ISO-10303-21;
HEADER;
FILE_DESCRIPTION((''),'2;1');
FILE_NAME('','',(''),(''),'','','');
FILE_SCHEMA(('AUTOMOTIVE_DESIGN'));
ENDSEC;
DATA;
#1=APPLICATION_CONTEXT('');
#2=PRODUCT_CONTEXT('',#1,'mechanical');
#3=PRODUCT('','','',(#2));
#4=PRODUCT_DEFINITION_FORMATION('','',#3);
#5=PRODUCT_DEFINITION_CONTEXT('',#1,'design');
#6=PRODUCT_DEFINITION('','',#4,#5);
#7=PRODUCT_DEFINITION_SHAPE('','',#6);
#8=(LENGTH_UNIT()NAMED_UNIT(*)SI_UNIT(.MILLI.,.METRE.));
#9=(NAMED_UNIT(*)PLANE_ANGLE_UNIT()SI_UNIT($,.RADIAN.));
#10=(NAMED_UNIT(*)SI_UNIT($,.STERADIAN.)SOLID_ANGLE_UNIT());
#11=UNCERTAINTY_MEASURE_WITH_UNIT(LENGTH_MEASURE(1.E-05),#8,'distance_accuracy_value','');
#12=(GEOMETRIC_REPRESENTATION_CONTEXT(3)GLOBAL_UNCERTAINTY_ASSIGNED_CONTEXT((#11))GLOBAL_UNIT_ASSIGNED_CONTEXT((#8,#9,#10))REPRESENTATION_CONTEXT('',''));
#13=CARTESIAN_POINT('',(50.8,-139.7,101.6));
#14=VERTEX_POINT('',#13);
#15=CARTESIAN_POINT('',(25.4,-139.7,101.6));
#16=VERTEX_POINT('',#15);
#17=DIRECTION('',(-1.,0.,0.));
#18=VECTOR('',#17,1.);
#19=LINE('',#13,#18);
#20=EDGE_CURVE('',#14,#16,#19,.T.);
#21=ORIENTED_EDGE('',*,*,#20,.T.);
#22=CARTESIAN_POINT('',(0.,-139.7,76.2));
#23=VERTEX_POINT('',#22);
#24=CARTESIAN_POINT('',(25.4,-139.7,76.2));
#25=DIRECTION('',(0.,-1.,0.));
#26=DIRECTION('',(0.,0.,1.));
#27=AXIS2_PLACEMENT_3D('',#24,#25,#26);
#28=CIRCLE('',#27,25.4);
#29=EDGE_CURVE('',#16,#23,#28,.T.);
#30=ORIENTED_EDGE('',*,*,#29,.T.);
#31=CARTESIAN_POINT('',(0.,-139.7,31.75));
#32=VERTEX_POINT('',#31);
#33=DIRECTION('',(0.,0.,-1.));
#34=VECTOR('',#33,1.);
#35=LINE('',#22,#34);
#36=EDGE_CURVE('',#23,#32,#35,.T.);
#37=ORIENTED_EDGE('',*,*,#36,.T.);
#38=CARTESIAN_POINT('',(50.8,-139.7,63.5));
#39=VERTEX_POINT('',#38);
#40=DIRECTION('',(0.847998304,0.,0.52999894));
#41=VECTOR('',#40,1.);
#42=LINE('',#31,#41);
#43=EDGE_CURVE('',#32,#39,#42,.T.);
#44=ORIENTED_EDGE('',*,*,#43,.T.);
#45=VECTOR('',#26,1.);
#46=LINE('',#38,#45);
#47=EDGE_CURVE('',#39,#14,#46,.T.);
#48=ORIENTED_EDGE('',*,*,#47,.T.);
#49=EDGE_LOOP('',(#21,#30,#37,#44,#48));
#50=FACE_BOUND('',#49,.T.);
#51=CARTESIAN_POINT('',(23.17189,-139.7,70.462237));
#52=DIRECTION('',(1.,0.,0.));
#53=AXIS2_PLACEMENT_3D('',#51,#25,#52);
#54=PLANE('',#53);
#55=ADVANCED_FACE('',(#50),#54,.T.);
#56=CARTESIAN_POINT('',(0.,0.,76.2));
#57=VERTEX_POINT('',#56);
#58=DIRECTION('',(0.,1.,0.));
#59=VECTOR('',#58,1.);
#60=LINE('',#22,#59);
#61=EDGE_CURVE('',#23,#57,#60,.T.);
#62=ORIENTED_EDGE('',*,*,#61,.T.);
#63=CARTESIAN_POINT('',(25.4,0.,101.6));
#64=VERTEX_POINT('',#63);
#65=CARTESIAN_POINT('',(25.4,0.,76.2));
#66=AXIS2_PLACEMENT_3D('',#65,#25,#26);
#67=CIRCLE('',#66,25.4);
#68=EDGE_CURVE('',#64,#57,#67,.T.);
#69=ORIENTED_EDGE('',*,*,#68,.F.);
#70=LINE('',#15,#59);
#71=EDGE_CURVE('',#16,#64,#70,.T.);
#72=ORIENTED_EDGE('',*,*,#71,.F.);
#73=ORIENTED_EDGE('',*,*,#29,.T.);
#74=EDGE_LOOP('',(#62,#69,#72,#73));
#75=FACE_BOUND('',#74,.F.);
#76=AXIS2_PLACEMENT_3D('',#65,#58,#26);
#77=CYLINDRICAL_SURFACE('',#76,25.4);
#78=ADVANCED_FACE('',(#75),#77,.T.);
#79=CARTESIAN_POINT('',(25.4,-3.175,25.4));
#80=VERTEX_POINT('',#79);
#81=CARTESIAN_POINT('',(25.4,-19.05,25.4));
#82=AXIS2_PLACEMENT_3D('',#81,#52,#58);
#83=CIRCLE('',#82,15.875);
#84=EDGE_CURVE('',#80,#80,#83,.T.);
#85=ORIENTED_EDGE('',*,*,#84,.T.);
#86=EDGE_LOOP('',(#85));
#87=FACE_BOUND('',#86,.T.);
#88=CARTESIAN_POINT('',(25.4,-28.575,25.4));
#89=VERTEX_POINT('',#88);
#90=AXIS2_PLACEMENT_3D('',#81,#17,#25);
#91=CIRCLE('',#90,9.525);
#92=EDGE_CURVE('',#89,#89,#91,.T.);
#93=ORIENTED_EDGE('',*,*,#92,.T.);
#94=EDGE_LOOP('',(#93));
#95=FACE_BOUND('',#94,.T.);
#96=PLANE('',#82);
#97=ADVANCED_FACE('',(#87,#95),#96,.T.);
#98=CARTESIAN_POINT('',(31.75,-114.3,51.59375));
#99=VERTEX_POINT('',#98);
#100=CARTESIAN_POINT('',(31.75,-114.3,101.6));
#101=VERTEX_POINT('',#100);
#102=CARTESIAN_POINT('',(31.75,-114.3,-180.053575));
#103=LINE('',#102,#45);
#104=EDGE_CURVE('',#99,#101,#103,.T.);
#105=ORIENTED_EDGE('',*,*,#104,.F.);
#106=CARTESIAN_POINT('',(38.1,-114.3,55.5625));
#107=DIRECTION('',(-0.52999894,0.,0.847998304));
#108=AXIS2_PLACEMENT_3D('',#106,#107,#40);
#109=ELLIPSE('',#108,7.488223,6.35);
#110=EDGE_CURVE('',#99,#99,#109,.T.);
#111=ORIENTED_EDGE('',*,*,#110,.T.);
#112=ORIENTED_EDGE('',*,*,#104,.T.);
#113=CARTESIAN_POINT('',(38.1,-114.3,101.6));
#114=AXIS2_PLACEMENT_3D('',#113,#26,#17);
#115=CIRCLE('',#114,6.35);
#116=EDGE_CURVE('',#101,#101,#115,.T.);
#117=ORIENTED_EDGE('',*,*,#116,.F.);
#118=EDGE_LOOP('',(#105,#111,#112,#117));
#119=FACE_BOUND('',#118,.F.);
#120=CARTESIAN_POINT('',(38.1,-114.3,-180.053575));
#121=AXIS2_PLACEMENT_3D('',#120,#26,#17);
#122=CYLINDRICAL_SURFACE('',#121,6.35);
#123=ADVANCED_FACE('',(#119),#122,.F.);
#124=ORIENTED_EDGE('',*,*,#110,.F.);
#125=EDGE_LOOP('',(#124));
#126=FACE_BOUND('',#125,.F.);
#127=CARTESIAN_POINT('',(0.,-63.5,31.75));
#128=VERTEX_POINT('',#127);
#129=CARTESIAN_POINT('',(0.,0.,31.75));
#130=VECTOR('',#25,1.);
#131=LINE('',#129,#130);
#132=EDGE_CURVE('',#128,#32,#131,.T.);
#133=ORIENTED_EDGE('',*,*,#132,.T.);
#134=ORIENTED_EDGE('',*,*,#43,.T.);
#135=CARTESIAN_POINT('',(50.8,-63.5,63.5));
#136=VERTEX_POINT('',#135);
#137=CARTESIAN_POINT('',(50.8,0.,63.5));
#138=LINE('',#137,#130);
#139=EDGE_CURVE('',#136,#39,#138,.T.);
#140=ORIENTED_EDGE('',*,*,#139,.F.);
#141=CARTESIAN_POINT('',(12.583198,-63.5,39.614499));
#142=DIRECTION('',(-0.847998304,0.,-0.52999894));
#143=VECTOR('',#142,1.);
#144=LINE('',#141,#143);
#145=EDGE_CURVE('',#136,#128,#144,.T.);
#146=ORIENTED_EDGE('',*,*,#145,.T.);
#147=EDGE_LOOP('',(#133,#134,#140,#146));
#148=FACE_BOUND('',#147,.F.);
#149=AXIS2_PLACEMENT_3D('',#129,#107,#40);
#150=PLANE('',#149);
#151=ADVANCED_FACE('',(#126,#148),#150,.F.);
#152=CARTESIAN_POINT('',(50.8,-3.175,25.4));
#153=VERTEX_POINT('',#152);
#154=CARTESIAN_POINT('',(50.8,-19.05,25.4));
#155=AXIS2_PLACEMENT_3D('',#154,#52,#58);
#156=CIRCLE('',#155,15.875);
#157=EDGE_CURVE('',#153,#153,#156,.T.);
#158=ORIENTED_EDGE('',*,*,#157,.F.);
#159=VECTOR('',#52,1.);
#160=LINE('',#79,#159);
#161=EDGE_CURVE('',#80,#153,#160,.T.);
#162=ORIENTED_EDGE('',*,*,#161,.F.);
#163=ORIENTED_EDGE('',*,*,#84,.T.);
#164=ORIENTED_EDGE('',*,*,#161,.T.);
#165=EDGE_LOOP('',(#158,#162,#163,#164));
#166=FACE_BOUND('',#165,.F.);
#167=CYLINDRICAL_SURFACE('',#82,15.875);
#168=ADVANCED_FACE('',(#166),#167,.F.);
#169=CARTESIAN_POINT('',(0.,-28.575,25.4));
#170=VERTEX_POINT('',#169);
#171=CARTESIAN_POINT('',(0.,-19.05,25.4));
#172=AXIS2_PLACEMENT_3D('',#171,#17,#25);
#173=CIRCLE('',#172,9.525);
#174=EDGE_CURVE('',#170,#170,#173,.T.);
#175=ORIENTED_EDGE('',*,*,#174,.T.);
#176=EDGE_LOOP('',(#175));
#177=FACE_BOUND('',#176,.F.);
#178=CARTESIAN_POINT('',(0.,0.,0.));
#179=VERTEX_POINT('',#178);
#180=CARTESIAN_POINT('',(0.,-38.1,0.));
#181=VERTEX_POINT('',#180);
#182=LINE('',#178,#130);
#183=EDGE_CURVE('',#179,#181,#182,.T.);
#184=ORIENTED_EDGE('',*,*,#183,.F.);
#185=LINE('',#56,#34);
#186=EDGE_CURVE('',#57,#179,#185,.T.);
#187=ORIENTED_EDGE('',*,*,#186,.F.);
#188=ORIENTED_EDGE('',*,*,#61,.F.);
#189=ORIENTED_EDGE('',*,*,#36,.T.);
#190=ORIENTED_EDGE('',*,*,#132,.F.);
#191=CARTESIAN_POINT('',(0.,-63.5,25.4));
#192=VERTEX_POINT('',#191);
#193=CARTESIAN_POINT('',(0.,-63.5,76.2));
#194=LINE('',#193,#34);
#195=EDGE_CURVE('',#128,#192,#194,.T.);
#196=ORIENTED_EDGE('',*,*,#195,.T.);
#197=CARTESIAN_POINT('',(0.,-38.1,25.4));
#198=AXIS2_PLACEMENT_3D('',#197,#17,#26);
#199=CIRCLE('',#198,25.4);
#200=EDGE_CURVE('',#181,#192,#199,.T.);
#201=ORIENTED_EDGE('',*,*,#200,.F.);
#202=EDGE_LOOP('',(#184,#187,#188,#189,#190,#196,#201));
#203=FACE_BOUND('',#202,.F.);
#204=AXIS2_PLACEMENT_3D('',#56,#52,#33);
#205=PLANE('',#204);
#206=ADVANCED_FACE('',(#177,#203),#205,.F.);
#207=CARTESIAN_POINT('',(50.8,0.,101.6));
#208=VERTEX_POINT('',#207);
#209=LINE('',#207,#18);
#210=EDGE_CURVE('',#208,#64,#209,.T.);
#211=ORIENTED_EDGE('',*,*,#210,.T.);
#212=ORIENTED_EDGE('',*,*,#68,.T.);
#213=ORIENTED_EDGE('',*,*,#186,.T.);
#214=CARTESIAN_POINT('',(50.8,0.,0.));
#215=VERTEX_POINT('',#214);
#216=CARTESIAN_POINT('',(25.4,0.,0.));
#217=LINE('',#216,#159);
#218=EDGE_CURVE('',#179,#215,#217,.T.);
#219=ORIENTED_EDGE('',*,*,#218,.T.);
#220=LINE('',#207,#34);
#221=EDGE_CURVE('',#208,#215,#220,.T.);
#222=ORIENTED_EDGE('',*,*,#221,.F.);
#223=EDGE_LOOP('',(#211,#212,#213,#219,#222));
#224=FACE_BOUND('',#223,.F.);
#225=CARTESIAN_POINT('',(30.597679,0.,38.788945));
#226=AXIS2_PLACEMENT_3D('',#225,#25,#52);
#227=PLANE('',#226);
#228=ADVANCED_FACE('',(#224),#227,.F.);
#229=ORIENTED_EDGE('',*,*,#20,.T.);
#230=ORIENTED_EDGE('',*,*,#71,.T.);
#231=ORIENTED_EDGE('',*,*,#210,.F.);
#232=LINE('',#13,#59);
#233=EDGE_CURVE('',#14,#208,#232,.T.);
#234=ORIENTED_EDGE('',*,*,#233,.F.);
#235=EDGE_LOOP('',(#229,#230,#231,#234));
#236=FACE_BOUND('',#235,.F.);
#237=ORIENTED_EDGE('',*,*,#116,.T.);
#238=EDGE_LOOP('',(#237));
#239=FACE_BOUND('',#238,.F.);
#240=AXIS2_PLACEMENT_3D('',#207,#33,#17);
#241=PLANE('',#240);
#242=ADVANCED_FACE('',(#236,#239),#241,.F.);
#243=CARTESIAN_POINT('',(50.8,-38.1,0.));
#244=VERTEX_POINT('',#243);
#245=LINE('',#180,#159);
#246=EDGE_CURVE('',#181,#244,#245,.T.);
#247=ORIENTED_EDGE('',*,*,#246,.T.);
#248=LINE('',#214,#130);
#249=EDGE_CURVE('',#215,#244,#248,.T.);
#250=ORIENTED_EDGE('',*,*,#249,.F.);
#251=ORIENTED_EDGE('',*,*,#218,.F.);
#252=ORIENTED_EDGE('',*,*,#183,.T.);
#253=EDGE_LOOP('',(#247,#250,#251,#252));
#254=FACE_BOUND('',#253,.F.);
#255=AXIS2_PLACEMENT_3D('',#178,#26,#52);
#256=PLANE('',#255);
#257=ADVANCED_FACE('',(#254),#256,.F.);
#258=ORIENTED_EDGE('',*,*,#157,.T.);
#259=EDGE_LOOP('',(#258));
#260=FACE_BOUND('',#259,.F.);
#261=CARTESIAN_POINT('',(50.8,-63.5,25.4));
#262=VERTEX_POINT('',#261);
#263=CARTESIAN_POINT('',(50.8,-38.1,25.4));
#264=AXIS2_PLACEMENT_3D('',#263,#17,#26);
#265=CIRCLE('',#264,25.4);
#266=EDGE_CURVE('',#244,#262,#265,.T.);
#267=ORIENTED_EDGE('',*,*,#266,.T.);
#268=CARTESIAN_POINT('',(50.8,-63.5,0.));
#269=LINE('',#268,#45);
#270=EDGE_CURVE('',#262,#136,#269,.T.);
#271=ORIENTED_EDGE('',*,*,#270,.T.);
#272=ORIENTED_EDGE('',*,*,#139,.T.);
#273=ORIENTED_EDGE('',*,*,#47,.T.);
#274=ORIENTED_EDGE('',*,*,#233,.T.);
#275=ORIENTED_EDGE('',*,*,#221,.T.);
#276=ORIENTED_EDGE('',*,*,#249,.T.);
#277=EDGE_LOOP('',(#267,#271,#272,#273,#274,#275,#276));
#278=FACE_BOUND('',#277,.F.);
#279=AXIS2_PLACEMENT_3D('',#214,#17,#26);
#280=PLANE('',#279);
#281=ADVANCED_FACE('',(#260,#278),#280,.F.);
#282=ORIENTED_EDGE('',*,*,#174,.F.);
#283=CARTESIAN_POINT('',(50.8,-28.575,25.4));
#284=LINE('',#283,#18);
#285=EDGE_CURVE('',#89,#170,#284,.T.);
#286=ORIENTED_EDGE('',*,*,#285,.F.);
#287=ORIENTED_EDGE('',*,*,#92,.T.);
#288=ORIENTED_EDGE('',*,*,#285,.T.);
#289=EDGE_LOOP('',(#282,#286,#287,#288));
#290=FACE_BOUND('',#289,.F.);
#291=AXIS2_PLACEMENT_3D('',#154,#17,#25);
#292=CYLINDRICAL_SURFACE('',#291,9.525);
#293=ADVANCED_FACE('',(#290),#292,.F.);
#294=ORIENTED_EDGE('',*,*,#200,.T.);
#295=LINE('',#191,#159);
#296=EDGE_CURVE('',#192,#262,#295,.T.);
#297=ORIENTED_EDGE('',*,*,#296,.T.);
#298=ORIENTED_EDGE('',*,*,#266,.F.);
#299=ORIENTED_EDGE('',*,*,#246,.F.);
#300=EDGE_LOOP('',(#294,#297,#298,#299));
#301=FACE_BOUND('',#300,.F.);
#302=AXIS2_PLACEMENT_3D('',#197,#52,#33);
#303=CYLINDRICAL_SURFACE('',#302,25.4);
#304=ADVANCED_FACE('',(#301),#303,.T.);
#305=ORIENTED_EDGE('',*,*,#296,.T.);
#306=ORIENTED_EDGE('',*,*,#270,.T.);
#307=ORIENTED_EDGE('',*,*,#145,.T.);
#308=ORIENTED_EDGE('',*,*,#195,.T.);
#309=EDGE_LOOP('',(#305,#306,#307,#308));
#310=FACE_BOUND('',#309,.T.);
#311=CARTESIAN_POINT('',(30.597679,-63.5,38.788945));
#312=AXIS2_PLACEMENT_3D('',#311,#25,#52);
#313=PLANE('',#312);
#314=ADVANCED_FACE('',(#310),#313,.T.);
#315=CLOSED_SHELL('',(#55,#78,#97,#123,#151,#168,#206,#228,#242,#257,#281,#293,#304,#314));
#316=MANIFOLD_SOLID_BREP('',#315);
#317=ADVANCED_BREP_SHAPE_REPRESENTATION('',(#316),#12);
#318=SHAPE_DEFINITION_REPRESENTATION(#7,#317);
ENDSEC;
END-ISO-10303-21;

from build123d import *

# Parameters (mm, degrees)
F0_W           = 50.8
F0_H           = 25.4
F1_DEPTH       = 63.5
F2_DEPTH       = 139.7
F3_R           = 25.4
F5_D           = 12.7
F7_D           = 19.05
F7_CBORE_D     = 31.75
F7_CBORE_DEPTH = 25.4


with BuildPart() as f1:
    # F0 (on Front) → F1 (new body)
    with BuildSketch(Plane.XZ):
        Polygon((0, 31.75), (0, 25.4), (50.8, 25.4), (50.8, 63.5), align=None)
        with Locations((25.4, 12.7)):
            Rectangle(F0_W, F0_H)
        with BuildLine():
            Line((0, 76.2), (0, 31.75))
            Line((0, 31.75), (50.8, 63.5))
            Line((50.8, 63.5), (50.8, 101.6))
            Line((50.8, 101.6), (25.4, 101.6))
            ThreePointArc((25.4, 101.6), (7.4394877579, 94.1605122421), (0, 76.2))
        make_face()
    extrude(amount=F1_DEPTH)

    # F0 (on Front) → F2 (join)
    with BuildSketch(Plane.XZ):
        with BuildLine():
            Line((0, 76.2), (0, 31.75))
            Line((0, 31.75), (50.8, 63.5))
            Line((50.8, 63.5), (50.8, 101.6))
            Line((50.8, 101.6), (25.4, 101.6))
            ThreePointArc((25.4, 101.6), (7.4394877579, 94.1605122421), (0, 76.2))
        make_face()
    extrude(amount=F2_DEPTH)

    # F3
    f3_edges = [f1.edges().sort_by_distance(p)[0] for p in [
        (25.4, -63.5, 0),
    ]]
    fillet(f3_edges, radius=F3_R)

    # F5 (through all)
    with Locations(Plane(origin=(0, 0, 0), x_dir=(1, 0, 0), z_dir=(0, 0, -1))):
        with Locations((38.1, 114.3)):
            Hole(F5_D / 2)

    # F7 (through all)
    with Locations(Plane.YZ.offset(50.8)):
        with Locations((-19.05, 25.4)):
            CounterBoreHole(F7_D / 2, F7_CBORE_D / 2, F7_CBORE_DEPTH)


solid = f1.part
